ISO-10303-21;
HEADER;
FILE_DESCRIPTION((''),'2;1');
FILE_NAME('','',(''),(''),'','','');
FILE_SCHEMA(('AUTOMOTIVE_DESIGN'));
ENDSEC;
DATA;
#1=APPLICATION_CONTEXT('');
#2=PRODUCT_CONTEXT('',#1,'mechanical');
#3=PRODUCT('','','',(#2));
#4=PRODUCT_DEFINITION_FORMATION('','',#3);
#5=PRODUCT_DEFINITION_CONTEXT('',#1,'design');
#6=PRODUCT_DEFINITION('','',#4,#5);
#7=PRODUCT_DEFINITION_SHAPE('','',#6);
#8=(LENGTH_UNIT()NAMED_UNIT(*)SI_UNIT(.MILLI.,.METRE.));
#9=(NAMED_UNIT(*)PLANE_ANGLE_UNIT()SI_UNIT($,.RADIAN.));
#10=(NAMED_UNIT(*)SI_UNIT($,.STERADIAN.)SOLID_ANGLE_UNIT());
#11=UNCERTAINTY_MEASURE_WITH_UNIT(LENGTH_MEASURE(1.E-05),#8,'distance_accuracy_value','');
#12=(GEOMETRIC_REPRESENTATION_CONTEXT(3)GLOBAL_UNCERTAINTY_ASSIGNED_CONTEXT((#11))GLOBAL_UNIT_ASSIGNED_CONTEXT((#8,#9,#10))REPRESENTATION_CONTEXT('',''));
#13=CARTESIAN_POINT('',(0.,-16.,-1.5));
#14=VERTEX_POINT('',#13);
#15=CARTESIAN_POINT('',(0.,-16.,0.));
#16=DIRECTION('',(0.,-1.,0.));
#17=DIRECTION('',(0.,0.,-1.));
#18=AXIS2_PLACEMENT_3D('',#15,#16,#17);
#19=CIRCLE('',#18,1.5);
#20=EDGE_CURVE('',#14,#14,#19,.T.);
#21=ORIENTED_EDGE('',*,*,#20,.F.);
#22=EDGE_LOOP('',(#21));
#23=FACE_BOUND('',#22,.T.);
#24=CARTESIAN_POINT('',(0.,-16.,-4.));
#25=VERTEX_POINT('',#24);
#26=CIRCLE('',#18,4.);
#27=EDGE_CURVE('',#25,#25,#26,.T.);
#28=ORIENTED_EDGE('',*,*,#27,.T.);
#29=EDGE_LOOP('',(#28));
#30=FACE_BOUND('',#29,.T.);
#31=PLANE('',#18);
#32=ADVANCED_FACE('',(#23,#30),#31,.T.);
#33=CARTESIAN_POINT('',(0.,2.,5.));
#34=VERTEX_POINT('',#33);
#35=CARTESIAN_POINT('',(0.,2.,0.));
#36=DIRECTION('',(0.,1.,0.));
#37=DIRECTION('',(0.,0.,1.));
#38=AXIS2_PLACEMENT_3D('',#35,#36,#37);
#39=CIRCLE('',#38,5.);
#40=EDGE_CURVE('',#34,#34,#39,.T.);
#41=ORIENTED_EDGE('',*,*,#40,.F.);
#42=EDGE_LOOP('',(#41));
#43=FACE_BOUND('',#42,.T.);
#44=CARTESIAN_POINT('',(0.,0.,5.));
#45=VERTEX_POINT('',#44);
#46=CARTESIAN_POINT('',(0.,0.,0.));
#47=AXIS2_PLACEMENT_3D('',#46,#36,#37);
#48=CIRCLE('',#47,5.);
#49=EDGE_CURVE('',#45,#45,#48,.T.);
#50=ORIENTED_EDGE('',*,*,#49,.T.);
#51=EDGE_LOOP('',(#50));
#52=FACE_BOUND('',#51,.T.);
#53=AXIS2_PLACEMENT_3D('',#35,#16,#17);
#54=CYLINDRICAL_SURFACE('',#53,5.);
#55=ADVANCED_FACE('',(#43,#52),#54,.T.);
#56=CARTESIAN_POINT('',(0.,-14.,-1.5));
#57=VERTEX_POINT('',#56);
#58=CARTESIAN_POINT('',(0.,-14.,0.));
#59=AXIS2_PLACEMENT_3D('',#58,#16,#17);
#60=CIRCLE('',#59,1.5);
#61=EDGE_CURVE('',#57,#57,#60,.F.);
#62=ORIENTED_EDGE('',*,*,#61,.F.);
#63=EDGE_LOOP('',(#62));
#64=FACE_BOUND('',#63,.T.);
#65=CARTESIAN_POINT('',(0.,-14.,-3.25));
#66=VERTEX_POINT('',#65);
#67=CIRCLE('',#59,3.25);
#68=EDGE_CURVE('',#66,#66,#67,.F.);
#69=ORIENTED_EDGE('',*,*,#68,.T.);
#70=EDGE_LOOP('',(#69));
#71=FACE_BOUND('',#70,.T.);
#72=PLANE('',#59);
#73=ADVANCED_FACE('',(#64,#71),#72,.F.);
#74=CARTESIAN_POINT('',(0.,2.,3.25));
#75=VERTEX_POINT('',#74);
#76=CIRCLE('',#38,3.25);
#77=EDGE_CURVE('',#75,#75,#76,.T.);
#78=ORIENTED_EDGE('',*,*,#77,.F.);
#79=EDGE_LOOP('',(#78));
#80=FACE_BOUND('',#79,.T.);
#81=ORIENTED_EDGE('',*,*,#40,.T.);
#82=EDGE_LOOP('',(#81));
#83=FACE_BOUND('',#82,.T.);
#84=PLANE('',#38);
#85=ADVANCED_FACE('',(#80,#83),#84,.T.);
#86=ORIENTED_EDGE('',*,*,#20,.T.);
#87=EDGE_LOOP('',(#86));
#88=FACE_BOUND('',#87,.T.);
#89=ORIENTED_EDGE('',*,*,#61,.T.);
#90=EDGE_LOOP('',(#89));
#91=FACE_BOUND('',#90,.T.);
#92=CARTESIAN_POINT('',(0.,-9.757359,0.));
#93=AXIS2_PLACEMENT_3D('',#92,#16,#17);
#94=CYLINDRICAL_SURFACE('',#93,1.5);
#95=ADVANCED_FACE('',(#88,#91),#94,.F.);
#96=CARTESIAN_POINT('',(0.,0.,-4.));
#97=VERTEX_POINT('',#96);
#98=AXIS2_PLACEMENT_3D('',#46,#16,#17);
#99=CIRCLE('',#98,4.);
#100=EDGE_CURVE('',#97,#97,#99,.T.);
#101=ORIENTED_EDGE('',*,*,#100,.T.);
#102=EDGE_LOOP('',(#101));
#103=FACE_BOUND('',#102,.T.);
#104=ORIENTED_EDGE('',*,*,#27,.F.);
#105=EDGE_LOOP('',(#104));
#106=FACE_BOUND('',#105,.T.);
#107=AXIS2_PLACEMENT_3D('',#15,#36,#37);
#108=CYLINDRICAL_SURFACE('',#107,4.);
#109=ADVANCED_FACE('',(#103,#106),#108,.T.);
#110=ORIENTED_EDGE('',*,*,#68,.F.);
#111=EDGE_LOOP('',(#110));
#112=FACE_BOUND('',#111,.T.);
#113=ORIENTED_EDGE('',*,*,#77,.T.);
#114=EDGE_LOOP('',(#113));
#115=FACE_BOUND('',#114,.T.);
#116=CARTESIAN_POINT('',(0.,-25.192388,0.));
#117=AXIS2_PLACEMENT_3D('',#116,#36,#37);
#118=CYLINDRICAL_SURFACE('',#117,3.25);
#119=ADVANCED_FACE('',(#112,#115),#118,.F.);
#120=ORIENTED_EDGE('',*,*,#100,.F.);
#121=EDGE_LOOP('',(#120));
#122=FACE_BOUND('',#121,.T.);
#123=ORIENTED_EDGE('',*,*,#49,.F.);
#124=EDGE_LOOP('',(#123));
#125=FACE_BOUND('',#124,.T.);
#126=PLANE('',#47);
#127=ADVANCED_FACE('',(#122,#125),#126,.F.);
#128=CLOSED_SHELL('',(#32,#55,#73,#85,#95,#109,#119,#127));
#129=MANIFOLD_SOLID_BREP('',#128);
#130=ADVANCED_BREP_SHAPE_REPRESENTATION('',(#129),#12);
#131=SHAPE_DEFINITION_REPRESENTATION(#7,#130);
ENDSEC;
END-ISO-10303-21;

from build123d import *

# Parameters (mm, degrees)
SKIZZE1_R                       = 5
AUFSATZ_LINEAR_AUSTRAGEN1_DEPTH = 2
SKIZZE2_R                       = 4
AUFSATZ_LINEAR_AUSTRAGEN2_DEPTH = 16
SKIZZE3_R                       = 3.25
SCHNITT_LINEAR_AUSTRAGEN1_DEPTH = 16
SKIZZE4_R                       = 1.5
SCHNITT_LINEAR_AUSTRAGEN2_DEPTH = 2


with BuildPart() as part:
    # Skizze1 → Aufsatz-Linear austragen1 (new body)
    with BuildSketch(Plane(origin=(0, 0, 0), x_dir=(1, 0, 0), z_dir=(0, 1, 0))):
        with Locations(Location((0, 0, 0), (0, 0, 270))):
            Circle(SKIZZE1_R)
    extrude(amount=AUFSATZ_LINEAR_AUSTRAGEN1_DEPTH)

    # Skizze2 → Aufsatz-Linear austragen2 (add)
    with BuildSketch(Plane.XZ):
        with Locations(Location((0, 0, 0), (0, 0, 270))):
            Circle(SKIZZE2_R)
    extrude(amount=AUFSATZ_LINEAR_AUSTRAGEN2_DEPTH)

    # Skizze3 → Schnitt-Linear austragen1 (cut)
    with BuildSketch(Plane(origin=(0, 2, 0), x_dir=(1, 0, 0), z_dir=(0, 1, 0))):
        with Locations(Location((0, 0, 0), (0, 0, 270))):
            Circle(SKIZZE3_R)
    extrude(amount=-SCHNITT_LINEAR_AUSTRAGEN1_DEPTH, mode=Mode.SUBTRACT)

    # Skizze4 → Schnitt-Linear austragen2 (cut)
    with BuildSketch(Plane.XZ.offset(16)):
        with Locations(Location((0, 0, 0), (0, 0, 270))):
            Circle(SKIZZE4_R)
    extrude(amount=-SCHNITT_LINEAR_AUSTRAGEN2_DEPTH, mode=Mode.SUBTRACT)


solid = part.part
